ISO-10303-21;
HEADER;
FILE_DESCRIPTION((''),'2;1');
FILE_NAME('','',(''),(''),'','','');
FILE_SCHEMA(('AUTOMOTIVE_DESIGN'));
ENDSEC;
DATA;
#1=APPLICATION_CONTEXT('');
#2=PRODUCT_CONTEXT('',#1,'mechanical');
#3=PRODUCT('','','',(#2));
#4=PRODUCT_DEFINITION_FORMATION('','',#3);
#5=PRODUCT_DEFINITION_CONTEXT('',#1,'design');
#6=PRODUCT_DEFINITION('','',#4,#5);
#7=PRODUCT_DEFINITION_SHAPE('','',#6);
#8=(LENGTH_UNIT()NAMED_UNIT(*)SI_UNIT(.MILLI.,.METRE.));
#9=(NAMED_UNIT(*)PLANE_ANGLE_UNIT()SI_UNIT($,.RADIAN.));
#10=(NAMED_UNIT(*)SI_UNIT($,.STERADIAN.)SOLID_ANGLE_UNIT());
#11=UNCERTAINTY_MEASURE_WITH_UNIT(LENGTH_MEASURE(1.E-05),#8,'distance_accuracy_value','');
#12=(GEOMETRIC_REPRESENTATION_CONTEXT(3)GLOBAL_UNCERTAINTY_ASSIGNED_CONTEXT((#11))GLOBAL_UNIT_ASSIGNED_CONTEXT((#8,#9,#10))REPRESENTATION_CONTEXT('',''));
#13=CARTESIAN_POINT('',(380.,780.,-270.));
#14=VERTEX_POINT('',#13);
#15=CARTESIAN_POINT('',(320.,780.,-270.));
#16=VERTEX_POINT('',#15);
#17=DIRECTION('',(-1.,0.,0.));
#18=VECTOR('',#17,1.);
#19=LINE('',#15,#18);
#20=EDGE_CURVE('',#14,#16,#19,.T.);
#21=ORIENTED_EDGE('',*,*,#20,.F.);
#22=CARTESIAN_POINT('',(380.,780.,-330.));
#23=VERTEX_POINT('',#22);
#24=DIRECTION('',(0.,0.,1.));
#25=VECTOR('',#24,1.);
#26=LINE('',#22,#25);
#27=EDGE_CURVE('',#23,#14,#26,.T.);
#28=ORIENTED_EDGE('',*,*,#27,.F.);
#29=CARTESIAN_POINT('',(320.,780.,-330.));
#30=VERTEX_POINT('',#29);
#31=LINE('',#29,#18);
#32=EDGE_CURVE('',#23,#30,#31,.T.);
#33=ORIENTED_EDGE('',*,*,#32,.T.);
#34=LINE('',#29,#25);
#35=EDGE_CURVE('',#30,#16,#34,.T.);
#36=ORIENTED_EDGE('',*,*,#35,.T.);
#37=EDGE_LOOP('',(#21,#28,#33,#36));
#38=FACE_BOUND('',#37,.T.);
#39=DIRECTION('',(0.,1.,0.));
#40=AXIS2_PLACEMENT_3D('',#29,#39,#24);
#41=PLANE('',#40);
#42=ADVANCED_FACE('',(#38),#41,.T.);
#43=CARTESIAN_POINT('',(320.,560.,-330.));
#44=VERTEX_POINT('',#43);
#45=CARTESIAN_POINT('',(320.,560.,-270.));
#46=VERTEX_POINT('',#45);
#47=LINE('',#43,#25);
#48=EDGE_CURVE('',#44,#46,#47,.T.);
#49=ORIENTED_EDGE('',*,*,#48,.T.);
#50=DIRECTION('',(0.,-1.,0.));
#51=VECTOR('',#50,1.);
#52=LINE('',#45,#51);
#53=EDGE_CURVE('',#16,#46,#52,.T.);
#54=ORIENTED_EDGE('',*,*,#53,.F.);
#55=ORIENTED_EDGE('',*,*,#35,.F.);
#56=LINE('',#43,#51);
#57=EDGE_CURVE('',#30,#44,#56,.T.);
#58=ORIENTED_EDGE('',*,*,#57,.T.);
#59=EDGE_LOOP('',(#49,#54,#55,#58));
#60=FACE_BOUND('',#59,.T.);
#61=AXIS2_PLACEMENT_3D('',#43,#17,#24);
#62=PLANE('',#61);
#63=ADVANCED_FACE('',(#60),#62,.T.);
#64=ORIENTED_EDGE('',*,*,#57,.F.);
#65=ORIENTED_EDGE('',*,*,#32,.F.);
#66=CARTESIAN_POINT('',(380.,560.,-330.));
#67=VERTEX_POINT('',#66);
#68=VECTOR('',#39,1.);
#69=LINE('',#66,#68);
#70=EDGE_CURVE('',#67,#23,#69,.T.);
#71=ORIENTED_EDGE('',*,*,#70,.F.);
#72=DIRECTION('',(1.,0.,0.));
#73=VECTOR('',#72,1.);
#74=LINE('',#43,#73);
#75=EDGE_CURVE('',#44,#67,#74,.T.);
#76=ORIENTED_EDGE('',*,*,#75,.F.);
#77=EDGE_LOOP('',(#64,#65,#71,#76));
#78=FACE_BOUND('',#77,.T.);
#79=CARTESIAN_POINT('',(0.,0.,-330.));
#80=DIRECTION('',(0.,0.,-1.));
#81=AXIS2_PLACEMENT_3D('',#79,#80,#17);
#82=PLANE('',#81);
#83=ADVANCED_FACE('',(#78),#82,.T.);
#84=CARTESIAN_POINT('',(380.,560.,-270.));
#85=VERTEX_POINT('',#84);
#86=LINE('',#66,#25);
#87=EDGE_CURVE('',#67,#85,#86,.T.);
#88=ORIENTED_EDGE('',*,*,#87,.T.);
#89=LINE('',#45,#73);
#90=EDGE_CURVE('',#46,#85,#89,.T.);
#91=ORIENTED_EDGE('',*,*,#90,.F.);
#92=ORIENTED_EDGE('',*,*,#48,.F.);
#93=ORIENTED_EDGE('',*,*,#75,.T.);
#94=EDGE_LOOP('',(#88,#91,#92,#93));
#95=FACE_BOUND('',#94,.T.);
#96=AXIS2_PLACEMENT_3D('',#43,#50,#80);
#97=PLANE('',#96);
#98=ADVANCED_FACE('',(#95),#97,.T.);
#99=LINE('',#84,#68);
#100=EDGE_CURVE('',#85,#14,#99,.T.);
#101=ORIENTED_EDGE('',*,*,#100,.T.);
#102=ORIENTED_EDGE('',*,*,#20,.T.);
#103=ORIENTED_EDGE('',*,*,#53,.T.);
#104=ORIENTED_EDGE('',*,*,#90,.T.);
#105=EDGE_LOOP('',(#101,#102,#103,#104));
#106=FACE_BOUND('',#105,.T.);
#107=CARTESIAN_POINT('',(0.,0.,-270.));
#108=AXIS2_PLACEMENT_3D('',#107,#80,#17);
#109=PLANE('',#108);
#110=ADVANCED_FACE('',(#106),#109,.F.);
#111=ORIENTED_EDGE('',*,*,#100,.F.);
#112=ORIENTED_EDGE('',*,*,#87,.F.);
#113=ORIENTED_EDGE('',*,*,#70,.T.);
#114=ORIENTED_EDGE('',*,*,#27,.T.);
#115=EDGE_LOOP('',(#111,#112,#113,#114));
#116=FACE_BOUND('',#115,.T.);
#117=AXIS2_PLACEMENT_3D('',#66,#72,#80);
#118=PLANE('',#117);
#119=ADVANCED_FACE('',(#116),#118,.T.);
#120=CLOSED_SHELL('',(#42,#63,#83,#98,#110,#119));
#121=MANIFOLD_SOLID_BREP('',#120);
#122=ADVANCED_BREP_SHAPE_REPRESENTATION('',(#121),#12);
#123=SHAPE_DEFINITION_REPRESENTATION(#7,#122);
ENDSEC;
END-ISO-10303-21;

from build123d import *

# Parameters (mm, degrees)
OVEN_KESME_AKTUATOR_24V_1500N_1_START = -270
SKETCH1_W                             = 60
SKETCH1_H                             = 220
OVEN_KESME_AKTUATOR_24V_1500N_1_DEPTH = 60


with BuildPart() as part:
    # Sketch1 → OVEN_kesme_aktuator_24V_1500N_1 (new body)
    with BuildSketch(Plane.XY.offset(OVEN_KESME_AKTUATOR_24V_1500N_1_START)):
        with Locations((350, 670)):
            Rectangle(SKETCH1_W, SKETCH1_H)
    extrude(amount=-OVEN_KESME_AKTUATOR_24V_1500N_1_DEPTH)


solid = part.part
